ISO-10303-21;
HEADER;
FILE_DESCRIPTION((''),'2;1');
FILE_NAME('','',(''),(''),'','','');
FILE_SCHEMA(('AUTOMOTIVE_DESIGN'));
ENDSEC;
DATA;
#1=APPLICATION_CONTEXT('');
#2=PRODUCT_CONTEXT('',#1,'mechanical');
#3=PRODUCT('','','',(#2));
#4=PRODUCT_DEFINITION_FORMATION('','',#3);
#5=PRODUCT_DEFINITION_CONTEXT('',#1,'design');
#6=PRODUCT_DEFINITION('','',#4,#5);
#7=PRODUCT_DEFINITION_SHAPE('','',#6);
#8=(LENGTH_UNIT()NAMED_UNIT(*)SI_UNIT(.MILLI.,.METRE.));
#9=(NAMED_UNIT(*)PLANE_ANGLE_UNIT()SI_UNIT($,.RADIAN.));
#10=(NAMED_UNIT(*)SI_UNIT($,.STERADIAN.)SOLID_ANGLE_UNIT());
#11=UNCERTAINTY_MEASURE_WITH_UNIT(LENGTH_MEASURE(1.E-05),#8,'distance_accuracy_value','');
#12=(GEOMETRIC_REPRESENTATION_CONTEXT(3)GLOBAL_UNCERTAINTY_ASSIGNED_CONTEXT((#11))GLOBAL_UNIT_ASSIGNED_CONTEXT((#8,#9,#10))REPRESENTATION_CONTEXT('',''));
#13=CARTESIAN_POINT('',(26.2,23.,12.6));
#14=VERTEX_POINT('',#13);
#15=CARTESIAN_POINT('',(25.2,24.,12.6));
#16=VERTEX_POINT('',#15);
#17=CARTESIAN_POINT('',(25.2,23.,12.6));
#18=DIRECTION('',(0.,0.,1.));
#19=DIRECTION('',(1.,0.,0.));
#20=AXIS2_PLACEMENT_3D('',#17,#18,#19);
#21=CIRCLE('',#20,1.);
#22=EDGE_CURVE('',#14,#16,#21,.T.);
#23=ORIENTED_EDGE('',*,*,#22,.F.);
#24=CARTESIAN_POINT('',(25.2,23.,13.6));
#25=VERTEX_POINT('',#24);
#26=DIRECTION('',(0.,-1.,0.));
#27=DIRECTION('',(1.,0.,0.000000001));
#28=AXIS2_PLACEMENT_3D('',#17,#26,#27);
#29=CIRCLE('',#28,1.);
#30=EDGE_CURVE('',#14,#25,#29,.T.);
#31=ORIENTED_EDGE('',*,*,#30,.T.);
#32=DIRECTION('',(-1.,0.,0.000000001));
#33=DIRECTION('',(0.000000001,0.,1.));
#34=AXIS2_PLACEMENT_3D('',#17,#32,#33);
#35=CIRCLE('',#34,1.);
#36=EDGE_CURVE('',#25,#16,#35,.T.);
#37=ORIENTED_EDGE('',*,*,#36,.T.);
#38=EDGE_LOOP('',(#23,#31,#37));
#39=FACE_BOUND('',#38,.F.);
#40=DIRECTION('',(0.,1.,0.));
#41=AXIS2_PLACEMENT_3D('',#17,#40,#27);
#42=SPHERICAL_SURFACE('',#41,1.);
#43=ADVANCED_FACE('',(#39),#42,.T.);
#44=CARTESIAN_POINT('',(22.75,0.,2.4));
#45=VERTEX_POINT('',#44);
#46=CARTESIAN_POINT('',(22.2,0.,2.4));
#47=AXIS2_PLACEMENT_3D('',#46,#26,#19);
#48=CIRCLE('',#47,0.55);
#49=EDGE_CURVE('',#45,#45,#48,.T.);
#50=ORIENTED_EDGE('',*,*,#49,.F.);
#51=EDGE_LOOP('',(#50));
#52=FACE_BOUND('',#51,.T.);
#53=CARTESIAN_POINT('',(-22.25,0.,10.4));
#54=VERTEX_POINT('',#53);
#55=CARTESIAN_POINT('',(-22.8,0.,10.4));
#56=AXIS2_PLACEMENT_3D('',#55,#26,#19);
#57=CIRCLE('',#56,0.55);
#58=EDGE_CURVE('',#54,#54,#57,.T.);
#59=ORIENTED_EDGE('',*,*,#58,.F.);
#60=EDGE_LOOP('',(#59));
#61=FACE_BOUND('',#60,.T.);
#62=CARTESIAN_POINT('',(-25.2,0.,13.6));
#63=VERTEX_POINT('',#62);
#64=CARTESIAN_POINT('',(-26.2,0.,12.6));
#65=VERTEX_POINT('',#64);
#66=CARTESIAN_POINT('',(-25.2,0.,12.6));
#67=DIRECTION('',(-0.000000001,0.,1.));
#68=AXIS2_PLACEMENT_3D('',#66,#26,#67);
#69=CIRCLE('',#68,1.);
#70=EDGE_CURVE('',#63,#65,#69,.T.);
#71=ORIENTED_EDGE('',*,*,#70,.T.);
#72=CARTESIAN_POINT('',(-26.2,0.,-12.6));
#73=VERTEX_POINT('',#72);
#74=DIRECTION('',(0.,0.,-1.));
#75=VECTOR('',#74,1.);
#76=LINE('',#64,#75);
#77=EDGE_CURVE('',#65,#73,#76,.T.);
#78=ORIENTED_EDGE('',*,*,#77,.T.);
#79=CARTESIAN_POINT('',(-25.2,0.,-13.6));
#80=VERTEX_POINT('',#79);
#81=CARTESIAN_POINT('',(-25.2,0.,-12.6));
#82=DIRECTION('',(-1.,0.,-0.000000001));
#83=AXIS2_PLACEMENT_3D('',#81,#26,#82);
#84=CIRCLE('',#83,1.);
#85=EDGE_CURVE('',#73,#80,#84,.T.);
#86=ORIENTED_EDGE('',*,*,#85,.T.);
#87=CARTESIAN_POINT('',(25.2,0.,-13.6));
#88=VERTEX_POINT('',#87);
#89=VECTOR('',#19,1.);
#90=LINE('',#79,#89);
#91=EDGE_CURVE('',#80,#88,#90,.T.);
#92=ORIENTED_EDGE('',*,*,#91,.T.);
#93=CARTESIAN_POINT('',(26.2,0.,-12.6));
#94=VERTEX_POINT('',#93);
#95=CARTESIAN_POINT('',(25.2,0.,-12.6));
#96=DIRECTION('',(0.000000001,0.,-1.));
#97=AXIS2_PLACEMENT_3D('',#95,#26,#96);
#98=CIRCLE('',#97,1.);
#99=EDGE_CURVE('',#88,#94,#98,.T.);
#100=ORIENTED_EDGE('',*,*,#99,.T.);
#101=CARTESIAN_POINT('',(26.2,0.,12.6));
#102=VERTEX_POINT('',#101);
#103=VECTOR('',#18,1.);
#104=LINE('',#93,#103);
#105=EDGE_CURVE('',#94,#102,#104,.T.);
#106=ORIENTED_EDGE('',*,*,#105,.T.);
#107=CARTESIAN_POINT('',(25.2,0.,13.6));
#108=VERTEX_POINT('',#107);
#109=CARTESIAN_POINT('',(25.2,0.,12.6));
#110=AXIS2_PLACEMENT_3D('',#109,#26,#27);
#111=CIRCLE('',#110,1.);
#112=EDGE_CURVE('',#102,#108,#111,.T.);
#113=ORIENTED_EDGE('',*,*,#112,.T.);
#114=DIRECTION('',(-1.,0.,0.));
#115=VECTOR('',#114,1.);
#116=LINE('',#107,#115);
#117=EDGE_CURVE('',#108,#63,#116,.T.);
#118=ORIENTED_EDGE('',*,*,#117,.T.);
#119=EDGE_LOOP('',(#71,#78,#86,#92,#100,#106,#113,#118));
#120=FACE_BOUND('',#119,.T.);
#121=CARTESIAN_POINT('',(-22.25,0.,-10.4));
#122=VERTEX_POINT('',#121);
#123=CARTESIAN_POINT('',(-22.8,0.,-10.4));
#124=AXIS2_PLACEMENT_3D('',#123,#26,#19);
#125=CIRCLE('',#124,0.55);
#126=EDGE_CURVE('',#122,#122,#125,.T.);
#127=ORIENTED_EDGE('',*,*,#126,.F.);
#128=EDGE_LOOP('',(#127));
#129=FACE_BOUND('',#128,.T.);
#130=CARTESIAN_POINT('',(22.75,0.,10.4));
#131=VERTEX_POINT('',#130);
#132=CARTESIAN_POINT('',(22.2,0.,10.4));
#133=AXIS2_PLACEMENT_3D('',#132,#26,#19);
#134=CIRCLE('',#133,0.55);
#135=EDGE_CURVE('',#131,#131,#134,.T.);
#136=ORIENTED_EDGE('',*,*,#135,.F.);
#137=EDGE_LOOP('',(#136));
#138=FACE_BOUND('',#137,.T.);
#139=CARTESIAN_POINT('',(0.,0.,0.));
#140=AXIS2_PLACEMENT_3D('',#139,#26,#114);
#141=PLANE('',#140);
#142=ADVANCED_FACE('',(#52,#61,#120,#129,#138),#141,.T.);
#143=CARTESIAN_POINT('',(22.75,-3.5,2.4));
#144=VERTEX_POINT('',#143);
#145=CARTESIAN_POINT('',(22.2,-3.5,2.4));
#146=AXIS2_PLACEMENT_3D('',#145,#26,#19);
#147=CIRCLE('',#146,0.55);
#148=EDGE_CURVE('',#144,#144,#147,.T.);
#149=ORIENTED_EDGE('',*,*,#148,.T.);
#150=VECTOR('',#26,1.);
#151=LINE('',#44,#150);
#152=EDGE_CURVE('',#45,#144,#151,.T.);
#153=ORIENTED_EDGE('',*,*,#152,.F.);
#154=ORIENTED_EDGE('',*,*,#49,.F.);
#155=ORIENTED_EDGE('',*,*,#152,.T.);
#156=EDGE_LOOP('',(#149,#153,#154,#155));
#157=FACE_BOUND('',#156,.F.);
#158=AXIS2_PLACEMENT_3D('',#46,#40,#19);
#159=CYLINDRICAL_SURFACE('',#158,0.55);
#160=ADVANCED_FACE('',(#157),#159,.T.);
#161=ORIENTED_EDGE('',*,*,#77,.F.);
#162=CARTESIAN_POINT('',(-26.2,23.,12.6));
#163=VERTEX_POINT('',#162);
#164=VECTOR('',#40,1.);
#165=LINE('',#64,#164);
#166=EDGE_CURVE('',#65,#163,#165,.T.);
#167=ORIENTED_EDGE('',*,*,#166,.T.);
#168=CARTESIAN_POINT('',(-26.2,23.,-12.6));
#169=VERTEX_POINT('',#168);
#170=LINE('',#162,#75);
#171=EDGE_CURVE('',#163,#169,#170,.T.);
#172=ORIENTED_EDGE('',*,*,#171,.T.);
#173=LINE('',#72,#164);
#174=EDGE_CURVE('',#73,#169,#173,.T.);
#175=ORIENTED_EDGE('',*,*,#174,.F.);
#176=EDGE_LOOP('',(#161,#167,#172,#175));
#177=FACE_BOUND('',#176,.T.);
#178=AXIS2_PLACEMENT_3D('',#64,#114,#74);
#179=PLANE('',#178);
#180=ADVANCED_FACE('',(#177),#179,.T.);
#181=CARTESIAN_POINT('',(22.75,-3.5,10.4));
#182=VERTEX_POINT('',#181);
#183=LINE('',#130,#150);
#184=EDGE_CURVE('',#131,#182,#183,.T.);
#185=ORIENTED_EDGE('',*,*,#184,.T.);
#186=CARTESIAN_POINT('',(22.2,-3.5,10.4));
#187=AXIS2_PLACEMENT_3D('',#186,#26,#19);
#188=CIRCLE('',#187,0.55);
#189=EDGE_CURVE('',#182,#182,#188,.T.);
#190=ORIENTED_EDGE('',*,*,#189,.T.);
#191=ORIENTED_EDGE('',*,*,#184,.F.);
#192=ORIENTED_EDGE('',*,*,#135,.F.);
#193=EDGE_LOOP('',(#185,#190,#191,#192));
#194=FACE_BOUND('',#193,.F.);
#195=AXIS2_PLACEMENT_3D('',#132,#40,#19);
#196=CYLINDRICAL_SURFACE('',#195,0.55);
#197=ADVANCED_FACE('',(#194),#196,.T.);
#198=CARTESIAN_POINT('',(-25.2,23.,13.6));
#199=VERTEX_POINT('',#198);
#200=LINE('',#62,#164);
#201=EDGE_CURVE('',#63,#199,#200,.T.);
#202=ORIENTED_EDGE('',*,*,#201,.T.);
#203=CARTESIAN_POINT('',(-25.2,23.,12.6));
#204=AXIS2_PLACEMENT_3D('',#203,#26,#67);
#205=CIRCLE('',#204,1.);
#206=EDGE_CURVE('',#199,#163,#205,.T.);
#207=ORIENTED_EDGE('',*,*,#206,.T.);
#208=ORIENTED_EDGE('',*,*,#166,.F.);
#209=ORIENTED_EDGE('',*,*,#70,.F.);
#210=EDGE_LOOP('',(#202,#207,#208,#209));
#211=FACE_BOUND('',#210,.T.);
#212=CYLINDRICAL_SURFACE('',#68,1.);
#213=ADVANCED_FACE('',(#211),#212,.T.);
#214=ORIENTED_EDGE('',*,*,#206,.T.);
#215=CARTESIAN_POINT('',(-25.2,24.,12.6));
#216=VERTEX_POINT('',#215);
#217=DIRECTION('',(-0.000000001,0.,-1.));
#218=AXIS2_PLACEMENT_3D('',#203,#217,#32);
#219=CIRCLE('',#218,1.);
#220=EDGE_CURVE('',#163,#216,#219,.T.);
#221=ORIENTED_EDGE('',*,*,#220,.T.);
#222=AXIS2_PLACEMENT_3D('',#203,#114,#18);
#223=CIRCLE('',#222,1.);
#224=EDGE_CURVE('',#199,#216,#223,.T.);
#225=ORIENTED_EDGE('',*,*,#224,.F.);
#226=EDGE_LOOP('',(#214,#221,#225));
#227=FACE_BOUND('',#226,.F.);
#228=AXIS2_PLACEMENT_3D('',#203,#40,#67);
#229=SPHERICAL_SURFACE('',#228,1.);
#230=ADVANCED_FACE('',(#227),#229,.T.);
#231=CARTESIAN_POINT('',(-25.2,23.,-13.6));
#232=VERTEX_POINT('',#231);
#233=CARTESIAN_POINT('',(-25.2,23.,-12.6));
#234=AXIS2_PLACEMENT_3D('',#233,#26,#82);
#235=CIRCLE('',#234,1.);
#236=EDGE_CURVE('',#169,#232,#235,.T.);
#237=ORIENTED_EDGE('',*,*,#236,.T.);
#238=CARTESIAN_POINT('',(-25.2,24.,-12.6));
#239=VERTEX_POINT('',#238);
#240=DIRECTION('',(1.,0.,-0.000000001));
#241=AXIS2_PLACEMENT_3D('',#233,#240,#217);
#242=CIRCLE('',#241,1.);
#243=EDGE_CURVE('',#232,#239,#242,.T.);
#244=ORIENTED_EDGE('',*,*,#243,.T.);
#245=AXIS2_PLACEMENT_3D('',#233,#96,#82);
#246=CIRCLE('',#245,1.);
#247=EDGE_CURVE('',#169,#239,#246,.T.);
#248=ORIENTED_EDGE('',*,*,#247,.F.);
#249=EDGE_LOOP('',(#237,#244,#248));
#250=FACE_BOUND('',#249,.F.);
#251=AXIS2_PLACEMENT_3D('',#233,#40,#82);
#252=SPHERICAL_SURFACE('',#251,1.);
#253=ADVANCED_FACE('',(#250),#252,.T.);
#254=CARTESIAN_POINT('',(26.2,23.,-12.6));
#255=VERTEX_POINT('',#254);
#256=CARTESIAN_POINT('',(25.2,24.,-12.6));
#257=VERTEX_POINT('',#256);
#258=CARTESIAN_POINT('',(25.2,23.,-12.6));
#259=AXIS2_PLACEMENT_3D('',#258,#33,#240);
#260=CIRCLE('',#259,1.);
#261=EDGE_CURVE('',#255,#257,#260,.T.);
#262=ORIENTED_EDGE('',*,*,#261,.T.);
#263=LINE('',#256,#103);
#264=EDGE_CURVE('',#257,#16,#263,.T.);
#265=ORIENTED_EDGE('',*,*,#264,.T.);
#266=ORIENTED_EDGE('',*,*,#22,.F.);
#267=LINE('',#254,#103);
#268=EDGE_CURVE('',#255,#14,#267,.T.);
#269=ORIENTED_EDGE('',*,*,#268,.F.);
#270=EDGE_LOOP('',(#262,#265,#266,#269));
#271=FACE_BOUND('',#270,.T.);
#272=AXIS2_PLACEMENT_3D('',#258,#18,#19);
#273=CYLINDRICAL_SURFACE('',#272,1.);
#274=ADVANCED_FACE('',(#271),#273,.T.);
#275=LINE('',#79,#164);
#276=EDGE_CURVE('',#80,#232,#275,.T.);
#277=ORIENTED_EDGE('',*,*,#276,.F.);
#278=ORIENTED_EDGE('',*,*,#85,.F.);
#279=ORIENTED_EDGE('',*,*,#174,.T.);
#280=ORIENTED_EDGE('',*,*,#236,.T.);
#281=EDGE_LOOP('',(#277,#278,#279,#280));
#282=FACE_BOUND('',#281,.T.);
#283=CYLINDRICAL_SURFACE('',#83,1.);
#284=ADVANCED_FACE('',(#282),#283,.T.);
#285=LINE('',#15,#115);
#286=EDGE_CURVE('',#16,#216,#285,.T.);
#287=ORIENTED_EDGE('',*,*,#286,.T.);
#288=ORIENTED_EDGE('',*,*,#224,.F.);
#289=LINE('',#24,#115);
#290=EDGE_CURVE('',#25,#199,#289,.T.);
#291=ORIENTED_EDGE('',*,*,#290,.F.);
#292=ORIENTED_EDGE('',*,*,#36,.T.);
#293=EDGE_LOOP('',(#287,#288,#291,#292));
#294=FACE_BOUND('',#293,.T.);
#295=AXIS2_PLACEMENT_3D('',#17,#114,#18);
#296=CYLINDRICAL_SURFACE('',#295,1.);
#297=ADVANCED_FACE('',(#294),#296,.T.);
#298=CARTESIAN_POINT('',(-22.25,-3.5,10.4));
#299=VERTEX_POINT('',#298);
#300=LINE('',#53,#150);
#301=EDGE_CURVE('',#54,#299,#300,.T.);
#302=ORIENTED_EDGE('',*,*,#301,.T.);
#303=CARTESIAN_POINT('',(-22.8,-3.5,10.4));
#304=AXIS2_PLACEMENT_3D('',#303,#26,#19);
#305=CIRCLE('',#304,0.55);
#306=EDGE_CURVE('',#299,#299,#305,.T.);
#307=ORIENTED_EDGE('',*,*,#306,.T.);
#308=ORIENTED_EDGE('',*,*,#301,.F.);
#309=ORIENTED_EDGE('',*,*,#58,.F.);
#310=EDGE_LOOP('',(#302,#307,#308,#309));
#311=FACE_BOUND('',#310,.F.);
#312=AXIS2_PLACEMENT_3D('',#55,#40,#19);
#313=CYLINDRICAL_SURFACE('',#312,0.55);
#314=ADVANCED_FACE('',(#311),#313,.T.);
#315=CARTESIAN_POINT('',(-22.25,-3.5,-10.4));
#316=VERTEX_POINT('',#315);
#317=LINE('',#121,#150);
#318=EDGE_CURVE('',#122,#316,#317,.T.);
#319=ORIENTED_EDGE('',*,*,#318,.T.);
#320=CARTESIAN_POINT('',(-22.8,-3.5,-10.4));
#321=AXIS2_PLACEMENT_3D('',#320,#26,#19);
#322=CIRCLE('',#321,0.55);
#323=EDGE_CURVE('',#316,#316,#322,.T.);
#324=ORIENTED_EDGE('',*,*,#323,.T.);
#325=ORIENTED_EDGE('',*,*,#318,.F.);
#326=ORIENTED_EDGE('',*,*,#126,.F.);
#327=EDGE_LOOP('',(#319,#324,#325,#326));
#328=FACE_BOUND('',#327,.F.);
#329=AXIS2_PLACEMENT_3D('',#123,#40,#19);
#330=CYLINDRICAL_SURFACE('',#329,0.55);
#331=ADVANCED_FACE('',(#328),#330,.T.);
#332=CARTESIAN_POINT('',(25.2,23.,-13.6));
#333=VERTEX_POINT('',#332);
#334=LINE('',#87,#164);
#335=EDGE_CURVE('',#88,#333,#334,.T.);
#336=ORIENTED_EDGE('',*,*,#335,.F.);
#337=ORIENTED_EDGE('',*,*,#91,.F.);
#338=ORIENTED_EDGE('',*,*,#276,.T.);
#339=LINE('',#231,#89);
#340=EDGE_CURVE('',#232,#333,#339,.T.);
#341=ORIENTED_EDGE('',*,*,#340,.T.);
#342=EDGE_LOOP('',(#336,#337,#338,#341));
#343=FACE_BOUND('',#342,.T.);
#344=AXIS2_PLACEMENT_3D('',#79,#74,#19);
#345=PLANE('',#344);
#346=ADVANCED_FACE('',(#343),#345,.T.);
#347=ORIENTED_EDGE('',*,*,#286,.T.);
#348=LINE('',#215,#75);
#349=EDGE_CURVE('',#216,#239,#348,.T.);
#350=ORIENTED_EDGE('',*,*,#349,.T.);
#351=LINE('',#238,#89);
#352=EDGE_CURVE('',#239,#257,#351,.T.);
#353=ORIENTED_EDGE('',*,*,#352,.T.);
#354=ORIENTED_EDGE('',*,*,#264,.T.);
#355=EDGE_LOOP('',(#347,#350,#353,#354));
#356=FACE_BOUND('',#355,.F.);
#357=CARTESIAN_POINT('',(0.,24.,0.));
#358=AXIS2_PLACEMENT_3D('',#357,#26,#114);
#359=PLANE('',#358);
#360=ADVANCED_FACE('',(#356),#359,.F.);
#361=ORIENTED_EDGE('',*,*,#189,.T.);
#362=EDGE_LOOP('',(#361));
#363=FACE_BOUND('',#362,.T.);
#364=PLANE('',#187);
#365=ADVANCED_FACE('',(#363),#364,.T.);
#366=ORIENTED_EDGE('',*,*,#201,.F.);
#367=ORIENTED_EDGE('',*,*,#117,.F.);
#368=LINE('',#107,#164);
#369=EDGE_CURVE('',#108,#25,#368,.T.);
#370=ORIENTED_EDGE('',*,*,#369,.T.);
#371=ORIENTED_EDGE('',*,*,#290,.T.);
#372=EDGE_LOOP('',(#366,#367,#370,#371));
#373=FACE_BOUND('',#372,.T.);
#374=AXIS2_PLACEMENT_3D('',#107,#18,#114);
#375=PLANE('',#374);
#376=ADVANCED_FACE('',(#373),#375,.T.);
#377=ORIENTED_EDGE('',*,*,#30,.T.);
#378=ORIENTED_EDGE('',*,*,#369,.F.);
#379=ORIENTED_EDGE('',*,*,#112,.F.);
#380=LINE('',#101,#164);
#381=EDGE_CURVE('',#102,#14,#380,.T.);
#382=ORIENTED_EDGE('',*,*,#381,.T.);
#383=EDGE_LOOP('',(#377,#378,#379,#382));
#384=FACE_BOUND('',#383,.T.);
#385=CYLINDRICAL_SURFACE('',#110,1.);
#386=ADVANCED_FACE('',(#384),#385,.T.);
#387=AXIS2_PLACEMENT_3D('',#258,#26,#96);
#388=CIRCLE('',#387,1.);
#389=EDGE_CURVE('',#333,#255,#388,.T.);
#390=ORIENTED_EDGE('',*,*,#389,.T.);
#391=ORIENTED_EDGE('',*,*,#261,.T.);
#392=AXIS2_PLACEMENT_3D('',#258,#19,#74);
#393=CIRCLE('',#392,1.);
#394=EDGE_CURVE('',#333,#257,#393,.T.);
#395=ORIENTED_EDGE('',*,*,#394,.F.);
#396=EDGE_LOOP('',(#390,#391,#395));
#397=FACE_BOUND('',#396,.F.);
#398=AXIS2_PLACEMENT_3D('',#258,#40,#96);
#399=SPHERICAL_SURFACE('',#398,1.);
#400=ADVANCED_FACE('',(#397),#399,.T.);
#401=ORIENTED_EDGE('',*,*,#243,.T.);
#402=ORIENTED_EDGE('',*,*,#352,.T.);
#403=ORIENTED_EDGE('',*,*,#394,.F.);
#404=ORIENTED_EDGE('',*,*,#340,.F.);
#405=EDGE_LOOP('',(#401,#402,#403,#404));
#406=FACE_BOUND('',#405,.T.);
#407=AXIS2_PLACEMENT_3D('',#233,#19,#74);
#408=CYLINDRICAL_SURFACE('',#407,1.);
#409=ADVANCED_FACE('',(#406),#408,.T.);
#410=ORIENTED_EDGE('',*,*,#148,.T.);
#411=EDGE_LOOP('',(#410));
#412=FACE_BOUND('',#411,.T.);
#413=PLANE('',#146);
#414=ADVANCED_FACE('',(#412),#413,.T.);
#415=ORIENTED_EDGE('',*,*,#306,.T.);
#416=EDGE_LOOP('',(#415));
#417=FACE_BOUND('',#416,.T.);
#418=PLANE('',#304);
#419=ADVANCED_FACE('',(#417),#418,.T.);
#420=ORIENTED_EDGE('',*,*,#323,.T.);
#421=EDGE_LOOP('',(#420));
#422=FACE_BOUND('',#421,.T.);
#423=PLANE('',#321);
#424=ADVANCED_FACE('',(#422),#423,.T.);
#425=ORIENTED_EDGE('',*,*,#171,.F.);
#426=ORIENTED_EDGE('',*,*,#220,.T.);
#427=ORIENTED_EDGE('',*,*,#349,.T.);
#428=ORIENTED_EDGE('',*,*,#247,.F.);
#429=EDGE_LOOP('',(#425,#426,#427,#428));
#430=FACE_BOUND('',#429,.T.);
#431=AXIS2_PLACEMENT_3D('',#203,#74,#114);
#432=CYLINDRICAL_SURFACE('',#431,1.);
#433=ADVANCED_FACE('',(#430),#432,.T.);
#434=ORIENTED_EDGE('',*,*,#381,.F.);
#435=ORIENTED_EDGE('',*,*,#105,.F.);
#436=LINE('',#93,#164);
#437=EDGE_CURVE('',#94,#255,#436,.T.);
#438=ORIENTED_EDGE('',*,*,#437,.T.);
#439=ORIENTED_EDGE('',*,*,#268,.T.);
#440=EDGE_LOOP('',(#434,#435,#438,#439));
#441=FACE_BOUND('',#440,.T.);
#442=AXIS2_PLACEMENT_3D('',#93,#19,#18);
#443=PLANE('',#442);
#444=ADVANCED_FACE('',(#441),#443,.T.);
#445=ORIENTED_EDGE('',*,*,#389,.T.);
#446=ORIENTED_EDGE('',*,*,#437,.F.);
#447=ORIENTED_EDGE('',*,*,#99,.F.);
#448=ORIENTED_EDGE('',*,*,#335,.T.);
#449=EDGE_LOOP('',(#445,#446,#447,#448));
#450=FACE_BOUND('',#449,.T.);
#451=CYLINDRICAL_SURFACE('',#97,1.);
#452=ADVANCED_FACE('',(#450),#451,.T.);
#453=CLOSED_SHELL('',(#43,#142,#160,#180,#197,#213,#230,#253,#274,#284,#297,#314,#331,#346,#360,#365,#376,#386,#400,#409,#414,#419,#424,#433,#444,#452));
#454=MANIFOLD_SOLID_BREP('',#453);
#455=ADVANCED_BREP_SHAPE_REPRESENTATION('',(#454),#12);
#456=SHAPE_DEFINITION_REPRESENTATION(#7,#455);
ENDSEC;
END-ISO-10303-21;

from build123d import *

# Parameters (mm, degrees)
EXTRUDE_1_DEPTH = 24
FILLET_1_R      = 1
SKETCH_870_R    = 0.55
EXTRUDE_2_DEPTH = 3.5


with BuildPart() as part:
    # Эскиз1 → Бобышка-Вытянуть1 (new body)
    with BuildSketch(Plane(origin=(0, 0, 0), x_dir=(1, 0, 0), z_dir=(0, 1, 0))):
        with BuildLine():
            Line((-25.2, 13.6), (25.2, 13.6))
            ThreePointArc((25.2, 13.6), (25.907106781, 13.307106781), (26.2, 12.6))
            Line((26.2, 12.6), (26.2, -12.6))
            ThreePointArc((26.2, -12.6), (25.907106781, -13.307106781), (25.2, -13.6))
            Line((25.2, -13.6), (-25.2, -13.6))
            ThreePointArc((-25.2, -13.6), (-25.907106781, -13.307106781), (-26.2, -12.6))
            Line((-26.2, -12.6), (-26.2, 12.6))
            ThreePointArc((-26.2, 12.6), (-25.907106781, 13.307106781), (-25.2, 13.6))
        make_face()
    extrude(amount=EXTRUDE_1_DEPTH)

    # Скругление1
    fillet_1_edges = [part.edges().sort_by_distance(p)[0] for p in [
        (-25.907106781, 24, -13.307106781),
        (-26.2, 24, 0),
        (-25.907106781, 24, 13.307106781),
        (0, 24, 13.6),
        (25.907106781, 24, 13.307106781),
        (26.2, 24, 0),
        (25.907106781, 24, -13.307106781),
        (0, 24, -13.6),
    ]]
    fillet(fillet_1_edges, radius=FILLET_1_R)

    # Sketch 870 → Бобышка-Вытянуть2 (add)
    with BuildSketch(Plane.XZ):
        with Locations((-22.8, 10.4)):
            Circle(SKETCH_870_R)
        with Locations((-22.8, -10.4)):
            Circle(SKETCH_870_R)
        with Locations((22.2, 10.4)):
            Circle(SKETCH_870_R)
        with Locations((22.2, 2.4)):
            Circle(SKETCH_870_R)
    extrude(amount=EXTRUDE_2_DEPTH)


solid = part.part
